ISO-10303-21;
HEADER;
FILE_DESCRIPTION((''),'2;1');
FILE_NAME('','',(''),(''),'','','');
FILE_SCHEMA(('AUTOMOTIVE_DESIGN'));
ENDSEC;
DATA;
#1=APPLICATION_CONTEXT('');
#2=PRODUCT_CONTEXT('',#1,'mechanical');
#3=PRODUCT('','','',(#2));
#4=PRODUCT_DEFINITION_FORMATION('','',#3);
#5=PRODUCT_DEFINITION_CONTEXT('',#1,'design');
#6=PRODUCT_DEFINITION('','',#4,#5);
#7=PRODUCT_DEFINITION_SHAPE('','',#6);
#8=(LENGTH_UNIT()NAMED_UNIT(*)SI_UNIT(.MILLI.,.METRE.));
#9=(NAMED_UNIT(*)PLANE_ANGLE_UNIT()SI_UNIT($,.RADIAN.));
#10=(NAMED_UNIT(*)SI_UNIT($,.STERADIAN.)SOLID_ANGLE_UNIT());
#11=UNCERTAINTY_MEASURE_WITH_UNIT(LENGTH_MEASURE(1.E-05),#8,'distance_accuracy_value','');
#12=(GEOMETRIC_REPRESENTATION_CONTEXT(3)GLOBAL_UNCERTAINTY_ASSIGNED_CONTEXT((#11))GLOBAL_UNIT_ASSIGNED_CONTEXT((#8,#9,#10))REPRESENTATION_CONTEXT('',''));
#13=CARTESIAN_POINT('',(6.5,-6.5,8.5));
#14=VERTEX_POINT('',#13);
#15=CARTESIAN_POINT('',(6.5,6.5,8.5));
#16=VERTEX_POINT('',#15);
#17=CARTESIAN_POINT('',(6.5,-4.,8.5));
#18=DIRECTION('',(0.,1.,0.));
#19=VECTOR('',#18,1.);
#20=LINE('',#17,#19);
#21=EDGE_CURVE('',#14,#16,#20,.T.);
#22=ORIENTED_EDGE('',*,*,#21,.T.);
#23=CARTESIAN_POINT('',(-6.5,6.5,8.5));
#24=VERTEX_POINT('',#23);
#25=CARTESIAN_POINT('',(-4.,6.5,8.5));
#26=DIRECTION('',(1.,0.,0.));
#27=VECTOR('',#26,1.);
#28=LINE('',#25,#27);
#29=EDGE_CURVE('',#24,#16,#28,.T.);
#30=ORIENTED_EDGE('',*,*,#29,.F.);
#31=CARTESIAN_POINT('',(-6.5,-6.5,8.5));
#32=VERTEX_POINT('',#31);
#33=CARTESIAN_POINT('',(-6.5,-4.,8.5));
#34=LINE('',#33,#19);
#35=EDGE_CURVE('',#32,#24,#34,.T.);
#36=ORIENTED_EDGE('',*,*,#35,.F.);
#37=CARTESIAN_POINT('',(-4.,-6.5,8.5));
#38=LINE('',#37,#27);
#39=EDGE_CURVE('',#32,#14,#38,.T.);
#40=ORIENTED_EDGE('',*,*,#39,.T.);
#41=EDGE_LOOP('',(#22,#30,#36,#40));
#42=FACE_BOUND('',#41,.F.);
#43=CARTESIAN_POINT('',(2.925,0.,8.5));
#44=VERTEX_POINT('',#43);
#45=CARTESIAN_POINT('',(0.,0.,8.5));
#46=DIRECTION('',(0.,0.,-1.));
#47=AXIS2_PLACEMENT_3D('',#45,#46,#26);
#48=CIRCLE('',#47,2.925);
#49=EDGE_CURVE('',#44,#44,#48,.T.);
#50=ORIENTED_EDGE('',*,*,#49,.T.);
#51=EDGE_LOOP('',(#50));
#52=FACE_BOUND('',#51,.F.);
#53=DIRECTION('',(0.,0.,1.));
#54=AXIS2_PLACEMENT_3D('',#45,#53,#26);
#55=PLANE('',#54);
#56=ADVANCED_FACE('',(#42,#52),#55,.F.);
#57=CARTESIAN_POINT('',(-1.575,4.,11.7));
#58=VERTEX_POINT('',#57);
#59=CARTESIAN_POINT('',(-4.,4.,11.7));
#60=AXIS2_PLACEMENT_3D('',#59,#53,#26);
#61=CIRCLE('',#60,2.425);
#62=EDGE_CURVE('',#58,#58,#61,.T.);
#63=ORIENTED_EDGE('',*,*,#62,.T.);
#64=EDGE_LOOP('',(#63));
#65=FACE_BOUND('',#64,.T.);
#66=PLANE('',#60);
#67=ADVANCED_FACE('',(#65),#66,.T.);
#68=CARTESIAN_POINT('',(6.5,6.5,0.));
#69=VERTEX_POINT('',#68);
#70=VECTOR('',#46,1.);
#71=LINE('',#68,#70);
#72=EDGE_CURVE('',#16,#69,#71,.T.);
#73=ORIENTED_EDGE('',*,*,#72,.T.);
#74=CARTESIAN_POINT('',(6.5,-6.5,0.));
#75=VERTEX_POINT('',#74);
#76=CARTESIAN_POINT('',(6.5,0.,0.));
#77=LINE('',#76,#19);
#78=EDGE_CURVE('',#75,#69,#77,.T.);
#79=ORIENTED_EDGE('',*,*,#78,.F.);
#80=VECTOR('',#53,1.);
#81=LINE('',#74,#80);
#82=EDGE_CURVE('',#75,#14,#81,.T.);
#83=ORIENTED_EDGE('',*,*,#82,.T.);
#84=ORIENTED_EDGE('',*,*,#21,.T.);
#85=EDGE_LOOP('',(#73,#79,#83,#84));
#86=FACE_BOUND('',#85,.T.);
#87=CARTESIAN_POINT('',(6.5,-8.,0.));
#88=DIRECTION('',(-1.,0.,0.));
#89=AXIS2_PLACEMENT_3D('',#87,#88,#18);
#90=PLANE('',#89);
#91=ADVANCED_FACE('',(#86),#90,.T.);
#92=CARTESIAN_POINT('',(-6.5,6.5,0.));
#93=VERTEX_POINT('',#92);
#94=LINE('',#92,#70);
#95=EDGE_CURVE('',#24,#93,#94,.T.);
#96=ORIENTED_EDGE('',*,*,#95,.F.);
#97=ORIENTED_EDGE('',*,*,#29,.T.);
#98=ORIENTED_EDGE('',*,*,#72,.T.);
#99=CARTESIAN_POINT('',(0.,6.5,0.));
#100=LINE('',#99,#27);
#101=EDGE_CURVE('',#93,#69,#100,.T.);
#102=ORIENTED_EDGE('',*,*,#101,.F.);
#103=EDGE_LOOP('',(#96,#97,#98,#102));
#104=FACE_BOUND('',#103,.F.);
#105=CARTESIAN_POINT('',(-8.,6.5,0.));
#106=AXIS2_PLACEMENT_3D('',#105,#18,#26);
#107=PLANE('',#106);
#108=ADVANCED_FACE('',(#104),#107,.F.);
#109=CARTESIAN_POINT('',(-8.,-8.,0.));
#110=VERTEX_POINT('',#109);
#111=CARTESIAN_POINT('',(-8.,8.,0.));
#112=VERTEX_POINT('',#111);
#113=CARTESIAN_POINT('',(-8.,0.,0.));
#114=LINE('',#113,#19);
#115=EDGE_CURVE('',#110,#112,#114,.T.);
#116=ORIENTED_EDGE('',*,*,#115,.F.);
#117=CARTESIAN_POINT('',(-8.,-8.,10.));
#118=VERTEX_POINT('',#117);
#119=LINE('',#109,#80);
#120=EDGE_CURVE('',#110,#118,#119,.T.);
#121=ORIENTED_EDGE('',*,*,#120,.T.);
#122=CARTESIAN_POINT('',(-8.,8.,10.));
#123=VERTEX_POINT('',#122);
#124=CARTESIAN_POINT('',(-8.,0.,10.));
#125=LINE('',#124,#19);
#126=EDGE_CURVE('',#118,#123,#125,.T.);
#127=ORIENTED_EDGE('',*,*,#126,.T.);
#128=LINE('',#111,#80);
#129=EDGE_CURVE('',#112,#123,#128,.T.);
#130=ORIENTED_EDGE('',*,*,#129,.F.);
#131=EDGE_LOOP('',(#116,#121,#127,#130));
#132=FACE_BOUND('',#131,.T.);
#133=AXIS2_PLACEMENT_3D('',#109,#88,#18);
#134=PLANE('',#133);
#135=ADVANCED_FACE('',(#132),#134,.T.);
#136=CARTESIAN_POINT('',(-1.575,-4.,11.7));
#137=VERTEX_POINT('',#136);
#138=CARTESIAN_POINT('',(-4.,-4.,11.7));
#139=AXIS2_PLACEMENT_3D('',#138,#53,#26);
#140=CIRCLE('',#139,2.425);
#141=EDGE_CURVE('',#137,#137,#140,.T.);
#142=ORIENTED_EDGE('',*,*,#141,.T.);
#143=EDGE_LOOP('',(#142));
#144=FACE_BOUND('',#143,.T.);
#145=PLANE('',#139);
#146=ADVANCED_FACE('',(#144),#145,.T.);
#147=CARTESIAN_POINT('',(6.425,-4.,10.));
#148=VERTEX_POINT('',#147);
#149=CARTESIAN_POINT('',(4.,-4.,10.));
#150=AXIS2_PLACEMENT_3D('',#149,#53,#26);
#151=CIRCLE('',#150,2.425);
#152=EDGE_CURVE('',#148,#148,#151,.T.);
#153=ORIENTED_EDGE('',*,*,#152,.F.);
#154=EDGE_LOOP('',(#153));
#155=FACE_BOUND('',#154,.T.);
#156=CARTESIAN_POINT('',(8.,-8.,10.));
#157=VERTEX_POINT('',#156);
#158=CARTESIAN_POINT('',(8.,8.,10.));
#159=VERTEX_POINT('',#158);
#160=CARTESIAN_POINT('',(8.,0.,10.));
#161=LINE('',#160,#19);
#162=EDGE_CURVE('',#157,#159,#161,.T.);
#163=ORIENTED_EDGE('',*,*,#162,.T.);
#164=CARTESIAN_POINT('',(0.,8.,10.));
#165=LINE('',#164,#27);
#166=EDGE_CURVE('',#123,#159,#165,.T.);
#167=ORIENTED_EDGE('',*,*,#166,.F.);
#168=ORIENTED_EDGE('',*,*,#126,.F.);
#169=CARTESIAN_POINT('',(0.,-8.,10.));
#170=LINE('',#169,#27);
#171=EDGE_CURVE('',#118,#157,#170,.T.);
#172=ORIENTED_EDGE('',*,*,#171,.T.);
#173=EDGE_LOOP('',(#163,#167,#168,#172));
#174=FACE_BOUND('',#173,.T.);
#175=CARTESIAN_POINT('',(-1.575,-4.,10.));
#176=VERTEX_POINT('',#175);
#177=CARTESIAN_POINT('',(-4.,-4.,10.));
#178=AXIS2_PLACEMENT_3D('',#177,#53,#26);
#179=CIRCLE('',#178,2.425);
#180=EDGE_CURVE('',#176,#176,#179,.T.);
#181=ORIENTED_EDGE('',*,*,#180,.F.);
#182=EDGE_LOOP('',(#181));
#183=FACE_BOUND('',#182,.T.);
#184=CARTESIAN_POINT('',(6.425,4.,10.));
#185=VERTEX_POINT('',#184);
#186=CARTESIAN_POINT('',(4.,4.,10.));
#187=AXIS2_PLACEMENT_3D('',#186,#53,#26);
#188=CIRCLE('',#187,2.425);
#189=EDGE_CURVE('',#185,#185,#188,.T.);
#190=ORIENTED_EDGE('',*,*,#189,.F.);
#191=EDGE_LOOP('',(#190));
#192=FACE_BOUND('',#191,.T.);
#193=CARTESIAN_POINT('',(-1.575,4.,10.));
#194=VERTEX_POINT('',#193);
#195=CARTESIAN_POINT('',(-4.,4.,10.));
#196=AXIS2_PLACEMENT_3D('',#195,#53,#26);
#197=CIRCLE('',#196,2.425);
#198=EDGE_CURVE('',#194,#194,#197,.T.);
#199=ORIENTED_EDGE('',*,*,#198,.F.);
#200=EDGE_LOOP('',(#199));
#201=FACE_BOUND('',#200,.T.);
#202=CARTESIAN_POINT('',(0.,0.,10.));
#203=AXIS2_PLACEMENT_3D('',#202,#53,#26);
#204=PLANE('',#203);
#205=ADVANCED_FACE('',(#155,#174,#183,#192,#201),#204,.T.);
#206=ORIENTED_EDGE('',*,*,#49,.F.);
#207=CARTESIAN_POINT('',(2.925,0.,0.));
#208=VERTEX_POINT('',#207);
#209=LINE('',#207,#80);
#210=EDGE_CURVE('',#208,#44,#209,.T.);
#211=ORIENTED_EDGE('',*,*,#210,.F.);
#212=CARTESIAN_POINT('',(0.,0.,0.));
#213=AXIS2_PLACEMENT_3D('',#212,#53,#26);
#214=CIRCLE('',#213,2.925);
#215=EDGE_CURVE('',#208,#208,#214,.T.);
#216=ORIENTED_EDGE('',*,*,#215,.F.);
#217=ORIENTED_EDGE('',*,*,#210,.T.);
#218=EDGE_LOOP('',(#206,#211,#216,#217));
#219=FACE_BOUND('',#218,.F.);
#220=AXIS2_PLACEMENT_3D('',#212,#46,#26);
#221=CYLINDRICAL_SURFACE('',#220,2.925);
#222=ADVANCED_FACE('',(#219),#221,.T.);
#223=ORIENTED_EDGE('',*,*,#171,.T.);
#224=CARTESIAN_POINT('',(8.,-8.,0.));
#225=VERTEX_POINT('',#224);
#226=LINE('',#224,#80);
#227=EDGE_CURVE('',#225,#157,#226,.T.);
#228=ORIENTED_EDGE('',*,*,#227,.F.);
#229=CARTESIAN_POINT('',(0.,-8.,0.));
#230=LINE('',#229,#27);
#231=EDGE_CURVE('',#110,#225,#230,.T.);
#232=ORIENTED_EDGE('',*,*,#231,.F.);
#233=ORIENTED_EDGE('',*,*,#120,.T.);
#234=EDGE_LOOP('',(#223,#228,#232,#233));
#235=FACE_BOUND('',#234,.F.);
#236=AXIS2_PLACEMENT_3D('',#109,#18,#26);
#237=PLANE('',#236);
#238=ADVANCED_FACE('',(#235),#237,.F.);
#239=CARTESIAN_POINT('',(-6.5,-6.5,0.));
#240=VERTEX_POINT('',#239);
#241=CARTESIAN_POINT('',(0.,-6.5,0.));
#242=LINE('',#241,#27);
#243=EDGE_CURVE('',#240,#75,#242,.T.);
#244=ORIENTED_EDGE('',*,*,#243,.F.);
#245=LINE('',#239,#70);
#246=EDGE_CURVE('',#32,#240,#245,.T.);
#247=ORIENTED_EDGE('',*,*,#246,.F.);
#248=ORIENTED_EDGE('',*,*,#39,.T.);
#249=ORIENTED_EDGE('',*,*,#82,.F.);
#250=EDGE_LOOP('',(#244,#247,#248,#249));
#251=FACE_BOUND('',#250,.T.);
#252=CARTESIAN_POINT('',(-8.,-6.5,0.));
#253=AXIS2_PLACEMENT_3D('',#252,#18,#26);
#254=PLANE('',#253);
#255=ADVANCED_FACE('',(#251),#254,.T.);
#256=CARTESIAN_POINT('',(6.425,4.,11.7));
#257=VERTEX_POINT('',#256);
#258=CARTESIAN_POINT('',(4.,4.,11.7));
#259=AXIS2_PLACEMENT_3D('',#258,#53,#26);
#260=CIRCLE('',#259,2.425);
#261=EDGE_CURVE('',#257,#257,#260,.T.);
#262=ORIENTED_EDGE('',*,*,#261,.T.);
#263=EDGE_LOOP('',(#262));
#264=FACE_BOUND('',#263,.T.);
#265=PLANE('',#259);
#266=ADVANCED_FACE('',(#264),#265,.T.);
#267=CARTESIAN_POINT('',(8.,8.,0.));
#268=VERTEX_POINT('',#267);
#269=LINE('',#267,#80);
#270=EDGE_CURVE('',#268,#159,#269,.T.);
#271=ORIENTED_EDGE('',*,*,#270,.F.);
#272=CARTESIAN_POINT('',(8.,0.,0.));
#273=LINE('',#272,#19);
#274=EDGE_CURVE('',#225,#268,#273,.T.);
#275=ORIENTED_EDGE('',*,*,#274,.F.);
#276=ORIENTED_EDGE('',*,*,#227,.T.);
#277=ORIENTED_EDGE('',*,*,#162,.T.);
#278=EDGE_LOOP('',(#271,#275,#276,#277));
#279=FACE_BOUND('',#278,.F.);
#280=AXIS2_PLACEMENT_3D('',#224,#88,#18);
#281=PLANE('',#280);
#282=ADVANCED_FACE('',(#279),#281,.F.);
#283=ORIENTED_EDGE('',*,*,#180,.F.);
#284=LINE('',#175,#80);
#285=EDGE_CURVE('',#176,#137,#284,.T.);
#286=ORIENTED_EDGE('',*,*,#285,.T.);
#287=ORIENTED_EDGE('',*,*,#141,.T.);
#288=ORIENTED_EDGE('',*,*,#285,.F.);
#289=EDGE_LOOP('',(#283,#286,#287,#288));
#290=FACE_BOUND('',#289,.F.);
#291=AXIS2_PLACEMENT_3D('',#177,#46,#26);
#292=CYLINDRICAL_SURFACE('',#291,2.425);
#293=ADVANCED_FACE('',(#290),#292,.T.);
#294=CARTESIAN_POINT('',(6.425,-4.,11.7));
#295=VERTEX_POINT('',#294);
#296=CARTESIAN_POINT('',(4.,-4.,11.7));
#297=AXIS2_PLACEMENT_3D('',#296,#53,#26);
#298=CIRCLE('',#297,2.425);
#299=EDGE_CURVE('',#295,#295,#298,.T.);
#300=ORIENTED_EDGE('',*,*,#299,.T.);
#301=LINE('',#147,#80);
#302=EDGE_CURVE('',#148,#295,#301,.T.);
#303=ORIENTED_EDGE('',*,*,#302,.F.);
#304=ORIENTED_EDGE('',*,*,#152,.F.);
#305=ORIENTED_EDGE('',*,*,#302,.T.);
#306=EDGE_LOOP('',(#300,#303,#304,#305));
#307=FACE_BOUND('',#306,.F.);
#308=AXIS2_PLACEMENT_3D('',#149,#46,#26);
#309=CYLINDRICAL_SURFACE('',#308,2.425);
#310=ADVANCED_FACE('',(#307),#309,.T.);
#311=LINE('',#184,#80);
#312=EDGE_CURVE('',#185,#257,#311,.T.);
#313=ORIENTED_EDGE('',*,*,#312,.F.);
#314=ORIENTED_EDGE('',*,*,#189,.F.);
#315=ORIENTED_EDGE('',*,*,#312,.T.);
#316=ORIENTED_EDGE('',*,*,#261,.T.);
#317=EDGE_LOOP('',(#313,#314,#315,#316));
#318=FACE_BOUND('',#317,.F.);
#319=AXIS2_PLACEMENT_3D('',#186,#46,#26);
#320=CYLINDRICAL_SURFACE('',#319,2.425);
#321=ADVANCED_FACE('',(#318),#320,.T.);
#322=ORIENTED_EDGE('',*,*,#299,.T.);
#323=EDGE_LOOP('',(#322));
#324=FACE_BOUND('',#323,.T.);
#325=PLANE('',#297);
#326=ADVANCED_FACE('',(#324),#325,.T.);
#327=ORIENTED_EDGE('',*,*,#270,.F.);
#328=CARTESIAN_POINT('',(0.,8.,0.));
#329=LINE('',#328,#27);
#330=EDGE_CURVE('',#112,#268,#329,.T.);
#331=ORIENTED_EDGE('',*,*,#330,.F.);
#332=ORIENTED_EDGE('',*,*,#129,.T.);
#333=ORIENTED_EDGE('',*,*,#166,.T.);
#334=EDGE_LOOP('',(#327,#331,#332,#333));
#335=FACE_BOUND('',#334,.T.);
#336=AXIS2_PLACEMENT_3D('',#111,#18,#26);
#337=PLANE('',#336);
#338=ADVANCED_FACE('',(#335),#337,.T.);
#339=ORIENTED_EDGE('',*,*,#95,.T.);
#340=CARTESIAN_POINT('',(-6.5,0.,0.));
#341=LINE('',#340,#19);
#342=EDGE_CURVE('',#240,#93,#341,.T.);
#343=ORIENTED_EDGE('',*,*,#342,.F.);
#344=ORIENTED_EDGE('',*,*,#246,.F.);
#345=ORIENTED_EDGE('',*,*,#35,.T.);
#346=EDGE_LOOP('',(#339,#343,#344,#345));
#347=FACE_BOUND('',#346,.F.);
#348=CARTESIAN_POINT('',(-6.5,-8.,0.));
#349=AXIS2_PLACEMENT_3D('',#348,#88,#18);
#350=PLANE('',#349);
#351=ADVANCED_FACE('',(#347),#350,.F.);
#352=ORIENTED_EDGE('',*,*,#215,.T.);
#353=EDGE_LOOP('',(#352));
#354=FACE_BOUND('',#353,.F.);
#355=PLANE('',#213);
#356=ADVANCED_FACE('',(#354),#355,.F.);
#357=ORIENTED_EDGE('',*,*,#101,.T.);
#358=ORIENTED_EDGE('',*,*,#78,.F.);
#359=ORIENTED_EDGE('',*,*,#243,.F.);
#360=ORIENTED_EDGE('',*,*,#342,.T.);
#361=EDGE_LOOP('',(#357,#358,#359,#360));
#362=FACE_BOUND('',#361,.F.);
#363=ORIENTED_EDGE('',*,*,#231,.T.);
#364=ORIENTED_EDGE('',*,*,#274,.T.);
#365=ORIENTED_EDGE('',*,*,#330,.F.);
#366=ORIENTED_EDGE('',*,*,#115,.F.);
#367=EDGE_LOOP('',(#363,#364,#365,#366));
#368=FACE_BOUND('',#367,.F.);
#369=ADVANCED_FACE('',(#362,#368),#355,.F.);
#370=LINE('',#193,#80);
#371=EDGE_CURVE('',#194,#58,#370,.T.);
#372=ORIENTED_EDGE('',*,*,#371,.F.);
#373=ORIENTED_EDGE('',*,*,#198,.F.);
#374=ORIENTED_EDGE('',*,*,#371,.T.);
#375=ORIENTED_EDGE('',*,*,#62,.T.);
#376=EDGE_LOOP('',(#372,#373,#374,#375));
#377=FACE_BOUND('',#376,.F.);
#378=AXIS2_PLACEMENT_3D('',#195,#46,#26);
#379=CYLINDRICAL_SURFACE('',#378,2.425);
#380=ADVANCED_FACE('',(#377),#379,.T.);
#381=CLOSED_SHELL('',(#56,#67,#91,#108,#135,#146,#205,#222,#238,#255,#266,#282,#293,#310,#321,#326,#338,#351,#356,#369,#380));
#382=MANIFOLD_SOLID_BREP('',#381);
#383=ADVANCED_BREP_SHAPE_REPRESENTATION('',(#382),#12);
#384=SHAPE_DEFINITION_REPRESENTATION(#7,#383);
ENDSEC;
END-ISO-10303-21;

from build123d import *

# Parameters (mm, degrees)
F0_W     = 16
F0_H     = 16
F1_DEPTH = 10
F2_T     = -1.5
F3_R     = 2.425
F4_DEPTH = 1.7
F5_R     = 2.925
F6_DEPTH = 10


with BuildPart() as f1:
    # F0 (on Top) → F1 (new body)
    with BuildSketch(Plane.XY):
        Rectangle(F0_W, F0_H)
    extrude(amount=F1_DEPTH)

    # F2
    f2_openings = [f1.faces().sort_by_distance(p)[0] for p in [
        (0, 0, 0),
    ]]
    offset(amount=F2_T, openings=f2_openings)

    # F3 (on face) → F4 (join)
    with BuildSketch(Plane.XY.offset(10)):
        with Locations((-4, -4)):
            Circle(F3_R)
        with Locations((-4, 4)):
            Circle(F3_R)
        with Locations((4, -4)):
            Circle(F3_R)
        with Locations((4, 4)):
            Circle(F3_R)
    extrude(amount=F4_DEPTH)

    # F5 (on Top) → F6 (join)
    with BuildSketch(Plane.XY):
        Circle(F5_R)
    extrude(amount=F6_DEPTH)


solid = f1.part
